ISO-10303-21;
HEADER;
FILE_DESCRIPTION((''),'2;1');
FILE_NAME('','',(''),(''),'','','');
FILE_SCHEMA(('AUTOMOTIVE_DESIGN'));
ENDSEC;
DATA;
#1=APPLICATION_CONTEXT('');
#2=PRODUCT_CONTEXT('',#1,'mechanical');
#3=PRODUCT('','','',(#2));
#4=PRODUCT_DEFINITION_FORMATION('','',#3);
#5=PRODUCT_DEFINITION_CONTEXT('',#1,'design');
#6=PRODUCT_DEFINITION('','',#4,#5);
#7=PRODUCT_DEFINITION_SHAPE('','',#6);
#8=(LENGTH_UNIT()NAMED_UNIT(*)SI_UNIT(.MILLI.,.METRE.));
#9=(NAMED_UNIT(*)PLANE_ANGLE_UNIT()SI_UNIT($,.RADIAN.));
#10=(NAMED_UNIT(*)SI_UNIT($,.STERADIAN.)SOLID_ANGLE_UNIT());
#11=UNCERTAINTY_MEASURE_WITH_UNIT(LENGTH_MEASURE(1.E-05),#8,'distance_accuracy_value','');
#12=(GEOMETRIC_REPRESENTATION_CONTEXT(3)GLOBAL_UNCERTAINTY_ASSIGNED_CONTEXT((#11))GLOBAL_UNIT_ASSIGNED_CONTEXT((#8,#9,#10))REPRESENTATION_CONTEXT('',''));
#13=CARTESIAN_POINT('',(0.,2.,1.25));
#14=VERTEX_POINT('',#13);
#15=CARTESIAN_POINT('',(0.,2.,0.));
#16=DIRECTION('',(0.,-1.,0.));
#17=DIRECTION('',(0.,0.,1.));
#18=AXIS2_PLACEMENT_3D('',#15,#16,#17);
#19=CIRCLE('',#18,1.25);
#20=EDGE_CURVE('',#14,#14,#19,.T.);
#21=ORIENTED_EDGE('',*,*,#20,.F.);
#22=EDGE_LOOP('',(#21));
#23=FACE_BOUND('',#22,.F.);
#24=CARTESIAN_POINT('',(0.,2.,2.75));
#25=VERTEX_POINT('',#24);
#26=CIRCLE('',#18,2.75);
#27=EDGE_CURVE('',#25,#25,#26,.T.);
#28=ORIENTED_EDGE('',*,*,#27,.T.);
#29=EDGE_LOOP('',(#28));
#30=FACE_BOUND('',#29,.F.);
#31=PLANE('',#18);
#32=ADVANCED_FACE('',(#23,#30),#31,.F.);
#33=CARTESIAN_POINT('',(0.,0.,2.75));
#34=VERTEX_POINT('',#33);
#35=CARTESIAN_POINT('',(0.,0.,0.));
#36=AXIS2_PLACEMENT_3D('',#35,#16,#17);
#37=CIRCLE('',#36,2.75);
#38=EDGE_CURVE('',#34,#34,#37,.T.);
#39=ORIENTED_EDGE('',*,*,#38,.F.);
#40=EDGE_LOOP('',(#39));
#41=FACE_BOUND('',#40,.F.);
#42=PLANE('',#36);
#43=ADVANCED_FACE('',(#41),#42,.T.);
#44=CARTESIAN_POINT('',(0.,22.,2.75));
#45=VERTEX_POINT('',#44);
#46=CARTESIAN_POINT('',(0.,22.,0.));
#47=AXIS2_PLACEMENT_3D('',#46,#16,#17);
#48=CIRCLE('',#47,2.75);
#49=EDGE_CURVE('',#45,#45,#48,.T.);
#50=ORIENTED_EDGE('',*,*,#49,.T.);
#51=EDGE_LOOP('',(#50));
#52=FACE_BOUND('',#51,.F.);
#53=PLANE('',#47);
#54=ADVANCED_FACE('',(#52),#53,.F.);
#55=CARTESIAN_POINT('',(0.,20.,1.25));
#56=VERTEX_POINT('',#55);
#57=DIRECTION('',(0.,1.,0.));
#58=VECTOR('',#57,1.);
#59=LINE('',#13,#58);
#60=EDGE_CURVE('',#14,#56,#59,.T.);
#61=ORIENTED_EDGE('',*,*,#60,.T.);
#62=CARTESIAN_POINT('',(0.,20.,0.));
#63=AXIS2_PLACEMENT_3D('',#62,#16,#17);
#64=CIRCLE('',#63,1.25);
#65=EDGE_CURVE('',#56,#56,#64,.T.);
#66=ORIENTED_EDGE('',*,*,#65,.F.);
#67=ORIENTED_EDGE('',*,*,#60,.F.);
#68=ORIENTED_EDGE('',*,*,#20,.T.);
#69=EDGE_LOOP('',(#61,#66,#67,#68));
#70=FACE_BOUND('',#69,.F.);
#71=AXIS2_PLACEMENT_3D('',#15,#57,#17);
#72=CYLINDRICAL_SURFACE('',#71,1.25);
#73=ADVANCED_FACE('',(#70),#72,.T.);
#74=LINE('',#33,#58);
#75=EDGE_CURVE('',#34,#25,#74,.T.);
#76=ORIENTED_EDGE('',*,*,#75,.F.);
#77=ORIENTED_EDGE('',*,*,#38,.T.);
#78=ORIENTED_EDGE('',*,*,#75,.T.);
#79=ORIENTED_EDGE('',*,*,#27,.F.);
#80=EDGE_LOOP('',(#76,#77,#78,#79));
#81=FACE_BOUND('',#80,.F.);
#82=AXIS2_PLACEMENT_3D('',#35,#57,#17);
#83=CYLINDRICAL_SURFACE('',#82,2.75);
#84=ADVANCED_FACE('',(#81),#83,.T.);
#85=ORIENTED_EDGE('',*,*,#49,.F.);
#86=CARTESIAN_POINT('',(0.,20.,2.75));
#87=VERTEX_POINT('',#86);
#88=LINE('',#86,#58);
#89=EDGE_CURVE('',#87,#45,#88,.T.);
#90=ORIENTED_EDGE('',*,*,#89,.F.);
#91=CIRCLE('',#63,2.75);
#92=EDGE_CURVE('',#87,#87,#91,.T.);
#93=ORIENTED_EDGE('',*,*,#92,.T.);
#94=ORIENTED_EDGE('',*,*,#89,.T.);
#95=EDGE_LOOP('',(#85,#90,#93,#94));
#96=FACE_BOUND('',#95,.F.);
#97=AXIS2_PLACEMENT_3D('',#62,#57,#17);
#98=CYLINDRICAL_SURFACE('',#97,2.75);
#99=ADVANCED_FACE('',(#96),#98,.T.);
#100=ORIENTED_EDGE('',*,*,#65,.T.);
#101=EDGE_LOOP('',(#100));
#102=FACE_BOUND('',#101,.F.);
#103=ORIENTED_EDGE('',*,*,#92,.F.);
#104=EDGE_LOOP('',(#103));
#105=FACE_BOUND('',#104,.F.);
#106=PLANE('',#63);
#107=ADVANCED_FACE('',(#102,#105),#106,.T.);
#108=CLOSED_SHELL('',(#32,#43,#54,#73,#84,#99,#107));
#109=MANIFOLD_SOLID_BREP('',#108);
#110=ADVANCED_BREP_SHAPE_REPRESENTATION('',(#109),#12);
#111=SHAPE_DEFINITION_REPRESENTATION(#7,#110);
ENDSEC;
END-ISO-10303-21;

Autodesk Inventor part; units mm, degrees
ref_plane "YZ Plane" through (0, 0, 0) normal (1, 0, 0) x (0, 1, 0)
ref_plane "XZ Plane" through (0, 0, 0) normal (0, 1, 0) x (-1, 0, 0)
ref_plane "XY Plane" through (0, 0, 0) normal (0, 0, 1) x (1, 0, 0)
sketch "Sketch1" plane through (0, 0, 0) normal (1, 0, 0) x (0, 1, 0)
  line L0 (0, 0) -> (0, 2.75)
  line L1 (0, 2.75) -> (2, 2.75)
  line L2 (2, 2.75) -> (2, 1.25)
  line L3 (2, 1.25) -> (20, 1.25)
  line L4 (20, 1.25) -> (20, 2.75)
  line L5 (20, 2.75) -> (22, 2.75)
  line L6 (22, 2.75) -> (22, 0)
  line L7 (22, 0) -> (0, 0)
  dimension "d0" = 2
  dimension "d1" = 2
  dimension "d3" = 1.25
  dimension "d4" = 1.5
  dimension "d5" = 18
revolve "Revolution1" add sketch "Sketch1" angle 360 about axis through (0, 22, 0) along (0, -1, 0)
thread "Thread1" size "M2.5x0.45" class "6g" standard "ANSI Metric M Profile" full length
properties part number "servo-hotn-bolt" material "Iron, Ductile"
